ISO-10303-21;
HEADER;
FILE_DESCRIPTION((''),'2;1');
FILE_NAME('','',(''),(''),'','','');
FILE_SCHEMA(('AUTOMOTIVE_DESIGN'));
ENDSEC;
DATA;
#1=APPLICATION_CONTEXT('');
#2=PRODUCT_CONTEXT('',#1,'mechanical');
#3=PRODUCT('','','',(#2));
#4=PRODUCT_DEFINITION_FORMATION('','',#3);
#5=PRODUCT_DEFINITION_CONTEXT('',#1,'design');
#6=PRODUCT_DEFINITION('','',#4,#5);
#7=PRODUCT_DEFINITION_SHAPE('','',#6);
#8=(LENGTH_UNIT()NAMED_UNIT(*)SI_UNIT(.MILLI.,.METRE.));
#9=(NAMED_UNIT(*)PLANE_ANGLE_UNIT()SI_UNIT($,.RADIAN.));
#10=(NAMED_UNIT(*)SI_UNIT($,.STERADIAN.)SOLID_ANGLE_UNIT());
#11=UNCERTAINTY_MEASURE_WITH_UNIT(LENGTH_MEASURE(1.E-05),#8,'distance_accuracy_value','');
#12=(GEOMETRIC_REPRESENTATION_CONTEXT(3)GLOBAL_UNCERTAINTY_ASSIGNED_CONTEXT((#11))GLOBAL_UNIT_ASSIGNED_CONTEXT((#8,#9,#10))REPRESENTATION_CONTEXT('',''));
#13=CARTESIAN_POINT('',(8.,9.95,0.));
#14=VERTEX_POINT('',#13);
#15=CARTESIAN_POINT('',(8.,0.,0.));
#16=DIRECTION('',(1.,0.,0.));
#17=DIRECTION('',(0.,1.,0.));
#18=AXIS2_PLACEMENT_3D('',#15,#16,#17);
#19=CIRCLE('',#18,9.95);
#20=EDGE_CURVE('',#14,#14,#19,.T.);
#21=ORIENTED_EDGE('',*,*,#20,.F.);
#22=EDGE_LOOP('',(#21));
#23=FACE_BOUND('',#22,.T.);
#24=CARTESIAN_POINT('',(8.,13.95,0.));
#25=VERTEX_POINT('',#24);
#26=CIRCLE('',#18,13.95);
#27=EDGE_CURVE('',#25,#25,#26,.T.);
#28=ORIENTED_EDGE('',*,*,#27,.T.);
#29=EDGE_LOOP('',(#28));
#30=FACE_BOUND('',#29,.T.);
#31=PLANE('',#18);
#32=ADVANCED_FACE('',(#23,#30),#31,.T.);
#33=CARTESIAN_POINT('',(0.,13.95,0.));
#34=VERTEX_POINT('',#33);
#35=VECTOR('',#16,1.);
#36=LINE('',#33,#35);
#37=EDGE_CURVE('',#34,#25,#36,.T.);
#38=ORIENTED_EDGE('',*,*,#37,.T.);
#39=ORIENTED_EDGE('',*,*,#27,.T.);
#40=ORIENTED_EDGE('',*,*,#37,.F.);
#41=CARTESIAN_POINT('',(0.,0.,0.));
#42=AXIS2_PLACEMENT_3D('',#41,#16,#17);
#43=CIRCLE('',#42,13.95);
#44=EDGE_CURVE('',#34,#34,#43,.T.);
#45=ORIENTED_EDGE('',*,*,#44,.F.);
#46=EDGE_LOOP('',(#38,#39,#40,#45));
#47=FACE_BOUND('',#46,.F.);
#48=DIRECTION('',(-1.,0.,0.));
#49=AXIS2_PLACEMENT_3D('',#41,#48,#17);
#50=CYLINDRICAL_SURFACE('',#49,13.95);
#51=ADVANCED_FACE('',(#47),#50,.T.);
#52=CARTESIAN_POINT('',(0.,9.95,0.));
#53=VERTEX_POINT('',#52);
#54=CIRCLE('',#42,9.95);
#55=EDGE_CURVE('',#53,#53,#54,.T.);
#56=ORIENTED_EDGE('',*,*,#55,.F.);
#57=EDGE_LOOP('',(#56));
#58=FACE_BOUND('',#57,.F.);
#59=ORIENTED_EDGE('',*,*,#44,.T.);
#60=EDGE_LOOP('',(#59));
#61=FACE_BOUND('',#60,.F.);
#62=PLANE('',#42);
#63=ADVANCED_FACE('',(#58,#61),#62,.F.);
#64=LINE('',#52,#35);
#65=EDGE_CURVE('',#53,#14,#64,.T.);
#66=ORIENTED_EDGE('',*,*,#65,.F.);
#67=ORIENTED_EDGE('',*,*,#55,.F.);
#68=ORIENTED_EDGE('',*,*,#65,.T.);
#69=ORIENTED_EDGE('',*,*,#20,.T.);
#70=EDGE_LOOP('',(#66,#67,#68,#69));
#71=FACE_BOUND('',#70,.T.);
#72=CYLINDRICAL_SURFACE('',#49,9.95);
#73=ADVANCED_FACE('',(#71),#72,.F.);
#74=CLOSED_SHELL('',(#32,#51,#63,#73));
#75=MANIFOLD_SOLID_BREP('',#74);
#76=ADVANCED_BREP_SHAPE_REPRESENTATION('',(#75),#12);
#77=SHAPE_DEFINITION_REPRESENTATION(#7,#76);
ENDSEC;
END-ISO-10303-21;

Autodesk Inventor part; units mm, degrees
ref_plane "YZ Plane" through (0, 0, 0) normal (1, 0, 0) x (0, 1, 0)
ref_plane "XZ Plane" through (0, 0, 0) normal (0, 1, 0) x (-1, 0, 0)
ref_plane "XY Plane" through (0, 0, 0) normal (0, 0, 1) x (1, 0, 0)
sketch "Sketch1" plane through (0, 0, 0) normal (1, 0, 0) x (0, 1, 0)
  circle A0 centre (0, 0) radius 13.95
  circle A1 centre (0, 0) radius 9.95
  dimension "d0" = 27.9
  dimension "d1" = 4
extrude "Extrusion1" add sketch "Sketch1" along normal blind 8
properties part number "Temp - Can" material "Stainless Steel"
